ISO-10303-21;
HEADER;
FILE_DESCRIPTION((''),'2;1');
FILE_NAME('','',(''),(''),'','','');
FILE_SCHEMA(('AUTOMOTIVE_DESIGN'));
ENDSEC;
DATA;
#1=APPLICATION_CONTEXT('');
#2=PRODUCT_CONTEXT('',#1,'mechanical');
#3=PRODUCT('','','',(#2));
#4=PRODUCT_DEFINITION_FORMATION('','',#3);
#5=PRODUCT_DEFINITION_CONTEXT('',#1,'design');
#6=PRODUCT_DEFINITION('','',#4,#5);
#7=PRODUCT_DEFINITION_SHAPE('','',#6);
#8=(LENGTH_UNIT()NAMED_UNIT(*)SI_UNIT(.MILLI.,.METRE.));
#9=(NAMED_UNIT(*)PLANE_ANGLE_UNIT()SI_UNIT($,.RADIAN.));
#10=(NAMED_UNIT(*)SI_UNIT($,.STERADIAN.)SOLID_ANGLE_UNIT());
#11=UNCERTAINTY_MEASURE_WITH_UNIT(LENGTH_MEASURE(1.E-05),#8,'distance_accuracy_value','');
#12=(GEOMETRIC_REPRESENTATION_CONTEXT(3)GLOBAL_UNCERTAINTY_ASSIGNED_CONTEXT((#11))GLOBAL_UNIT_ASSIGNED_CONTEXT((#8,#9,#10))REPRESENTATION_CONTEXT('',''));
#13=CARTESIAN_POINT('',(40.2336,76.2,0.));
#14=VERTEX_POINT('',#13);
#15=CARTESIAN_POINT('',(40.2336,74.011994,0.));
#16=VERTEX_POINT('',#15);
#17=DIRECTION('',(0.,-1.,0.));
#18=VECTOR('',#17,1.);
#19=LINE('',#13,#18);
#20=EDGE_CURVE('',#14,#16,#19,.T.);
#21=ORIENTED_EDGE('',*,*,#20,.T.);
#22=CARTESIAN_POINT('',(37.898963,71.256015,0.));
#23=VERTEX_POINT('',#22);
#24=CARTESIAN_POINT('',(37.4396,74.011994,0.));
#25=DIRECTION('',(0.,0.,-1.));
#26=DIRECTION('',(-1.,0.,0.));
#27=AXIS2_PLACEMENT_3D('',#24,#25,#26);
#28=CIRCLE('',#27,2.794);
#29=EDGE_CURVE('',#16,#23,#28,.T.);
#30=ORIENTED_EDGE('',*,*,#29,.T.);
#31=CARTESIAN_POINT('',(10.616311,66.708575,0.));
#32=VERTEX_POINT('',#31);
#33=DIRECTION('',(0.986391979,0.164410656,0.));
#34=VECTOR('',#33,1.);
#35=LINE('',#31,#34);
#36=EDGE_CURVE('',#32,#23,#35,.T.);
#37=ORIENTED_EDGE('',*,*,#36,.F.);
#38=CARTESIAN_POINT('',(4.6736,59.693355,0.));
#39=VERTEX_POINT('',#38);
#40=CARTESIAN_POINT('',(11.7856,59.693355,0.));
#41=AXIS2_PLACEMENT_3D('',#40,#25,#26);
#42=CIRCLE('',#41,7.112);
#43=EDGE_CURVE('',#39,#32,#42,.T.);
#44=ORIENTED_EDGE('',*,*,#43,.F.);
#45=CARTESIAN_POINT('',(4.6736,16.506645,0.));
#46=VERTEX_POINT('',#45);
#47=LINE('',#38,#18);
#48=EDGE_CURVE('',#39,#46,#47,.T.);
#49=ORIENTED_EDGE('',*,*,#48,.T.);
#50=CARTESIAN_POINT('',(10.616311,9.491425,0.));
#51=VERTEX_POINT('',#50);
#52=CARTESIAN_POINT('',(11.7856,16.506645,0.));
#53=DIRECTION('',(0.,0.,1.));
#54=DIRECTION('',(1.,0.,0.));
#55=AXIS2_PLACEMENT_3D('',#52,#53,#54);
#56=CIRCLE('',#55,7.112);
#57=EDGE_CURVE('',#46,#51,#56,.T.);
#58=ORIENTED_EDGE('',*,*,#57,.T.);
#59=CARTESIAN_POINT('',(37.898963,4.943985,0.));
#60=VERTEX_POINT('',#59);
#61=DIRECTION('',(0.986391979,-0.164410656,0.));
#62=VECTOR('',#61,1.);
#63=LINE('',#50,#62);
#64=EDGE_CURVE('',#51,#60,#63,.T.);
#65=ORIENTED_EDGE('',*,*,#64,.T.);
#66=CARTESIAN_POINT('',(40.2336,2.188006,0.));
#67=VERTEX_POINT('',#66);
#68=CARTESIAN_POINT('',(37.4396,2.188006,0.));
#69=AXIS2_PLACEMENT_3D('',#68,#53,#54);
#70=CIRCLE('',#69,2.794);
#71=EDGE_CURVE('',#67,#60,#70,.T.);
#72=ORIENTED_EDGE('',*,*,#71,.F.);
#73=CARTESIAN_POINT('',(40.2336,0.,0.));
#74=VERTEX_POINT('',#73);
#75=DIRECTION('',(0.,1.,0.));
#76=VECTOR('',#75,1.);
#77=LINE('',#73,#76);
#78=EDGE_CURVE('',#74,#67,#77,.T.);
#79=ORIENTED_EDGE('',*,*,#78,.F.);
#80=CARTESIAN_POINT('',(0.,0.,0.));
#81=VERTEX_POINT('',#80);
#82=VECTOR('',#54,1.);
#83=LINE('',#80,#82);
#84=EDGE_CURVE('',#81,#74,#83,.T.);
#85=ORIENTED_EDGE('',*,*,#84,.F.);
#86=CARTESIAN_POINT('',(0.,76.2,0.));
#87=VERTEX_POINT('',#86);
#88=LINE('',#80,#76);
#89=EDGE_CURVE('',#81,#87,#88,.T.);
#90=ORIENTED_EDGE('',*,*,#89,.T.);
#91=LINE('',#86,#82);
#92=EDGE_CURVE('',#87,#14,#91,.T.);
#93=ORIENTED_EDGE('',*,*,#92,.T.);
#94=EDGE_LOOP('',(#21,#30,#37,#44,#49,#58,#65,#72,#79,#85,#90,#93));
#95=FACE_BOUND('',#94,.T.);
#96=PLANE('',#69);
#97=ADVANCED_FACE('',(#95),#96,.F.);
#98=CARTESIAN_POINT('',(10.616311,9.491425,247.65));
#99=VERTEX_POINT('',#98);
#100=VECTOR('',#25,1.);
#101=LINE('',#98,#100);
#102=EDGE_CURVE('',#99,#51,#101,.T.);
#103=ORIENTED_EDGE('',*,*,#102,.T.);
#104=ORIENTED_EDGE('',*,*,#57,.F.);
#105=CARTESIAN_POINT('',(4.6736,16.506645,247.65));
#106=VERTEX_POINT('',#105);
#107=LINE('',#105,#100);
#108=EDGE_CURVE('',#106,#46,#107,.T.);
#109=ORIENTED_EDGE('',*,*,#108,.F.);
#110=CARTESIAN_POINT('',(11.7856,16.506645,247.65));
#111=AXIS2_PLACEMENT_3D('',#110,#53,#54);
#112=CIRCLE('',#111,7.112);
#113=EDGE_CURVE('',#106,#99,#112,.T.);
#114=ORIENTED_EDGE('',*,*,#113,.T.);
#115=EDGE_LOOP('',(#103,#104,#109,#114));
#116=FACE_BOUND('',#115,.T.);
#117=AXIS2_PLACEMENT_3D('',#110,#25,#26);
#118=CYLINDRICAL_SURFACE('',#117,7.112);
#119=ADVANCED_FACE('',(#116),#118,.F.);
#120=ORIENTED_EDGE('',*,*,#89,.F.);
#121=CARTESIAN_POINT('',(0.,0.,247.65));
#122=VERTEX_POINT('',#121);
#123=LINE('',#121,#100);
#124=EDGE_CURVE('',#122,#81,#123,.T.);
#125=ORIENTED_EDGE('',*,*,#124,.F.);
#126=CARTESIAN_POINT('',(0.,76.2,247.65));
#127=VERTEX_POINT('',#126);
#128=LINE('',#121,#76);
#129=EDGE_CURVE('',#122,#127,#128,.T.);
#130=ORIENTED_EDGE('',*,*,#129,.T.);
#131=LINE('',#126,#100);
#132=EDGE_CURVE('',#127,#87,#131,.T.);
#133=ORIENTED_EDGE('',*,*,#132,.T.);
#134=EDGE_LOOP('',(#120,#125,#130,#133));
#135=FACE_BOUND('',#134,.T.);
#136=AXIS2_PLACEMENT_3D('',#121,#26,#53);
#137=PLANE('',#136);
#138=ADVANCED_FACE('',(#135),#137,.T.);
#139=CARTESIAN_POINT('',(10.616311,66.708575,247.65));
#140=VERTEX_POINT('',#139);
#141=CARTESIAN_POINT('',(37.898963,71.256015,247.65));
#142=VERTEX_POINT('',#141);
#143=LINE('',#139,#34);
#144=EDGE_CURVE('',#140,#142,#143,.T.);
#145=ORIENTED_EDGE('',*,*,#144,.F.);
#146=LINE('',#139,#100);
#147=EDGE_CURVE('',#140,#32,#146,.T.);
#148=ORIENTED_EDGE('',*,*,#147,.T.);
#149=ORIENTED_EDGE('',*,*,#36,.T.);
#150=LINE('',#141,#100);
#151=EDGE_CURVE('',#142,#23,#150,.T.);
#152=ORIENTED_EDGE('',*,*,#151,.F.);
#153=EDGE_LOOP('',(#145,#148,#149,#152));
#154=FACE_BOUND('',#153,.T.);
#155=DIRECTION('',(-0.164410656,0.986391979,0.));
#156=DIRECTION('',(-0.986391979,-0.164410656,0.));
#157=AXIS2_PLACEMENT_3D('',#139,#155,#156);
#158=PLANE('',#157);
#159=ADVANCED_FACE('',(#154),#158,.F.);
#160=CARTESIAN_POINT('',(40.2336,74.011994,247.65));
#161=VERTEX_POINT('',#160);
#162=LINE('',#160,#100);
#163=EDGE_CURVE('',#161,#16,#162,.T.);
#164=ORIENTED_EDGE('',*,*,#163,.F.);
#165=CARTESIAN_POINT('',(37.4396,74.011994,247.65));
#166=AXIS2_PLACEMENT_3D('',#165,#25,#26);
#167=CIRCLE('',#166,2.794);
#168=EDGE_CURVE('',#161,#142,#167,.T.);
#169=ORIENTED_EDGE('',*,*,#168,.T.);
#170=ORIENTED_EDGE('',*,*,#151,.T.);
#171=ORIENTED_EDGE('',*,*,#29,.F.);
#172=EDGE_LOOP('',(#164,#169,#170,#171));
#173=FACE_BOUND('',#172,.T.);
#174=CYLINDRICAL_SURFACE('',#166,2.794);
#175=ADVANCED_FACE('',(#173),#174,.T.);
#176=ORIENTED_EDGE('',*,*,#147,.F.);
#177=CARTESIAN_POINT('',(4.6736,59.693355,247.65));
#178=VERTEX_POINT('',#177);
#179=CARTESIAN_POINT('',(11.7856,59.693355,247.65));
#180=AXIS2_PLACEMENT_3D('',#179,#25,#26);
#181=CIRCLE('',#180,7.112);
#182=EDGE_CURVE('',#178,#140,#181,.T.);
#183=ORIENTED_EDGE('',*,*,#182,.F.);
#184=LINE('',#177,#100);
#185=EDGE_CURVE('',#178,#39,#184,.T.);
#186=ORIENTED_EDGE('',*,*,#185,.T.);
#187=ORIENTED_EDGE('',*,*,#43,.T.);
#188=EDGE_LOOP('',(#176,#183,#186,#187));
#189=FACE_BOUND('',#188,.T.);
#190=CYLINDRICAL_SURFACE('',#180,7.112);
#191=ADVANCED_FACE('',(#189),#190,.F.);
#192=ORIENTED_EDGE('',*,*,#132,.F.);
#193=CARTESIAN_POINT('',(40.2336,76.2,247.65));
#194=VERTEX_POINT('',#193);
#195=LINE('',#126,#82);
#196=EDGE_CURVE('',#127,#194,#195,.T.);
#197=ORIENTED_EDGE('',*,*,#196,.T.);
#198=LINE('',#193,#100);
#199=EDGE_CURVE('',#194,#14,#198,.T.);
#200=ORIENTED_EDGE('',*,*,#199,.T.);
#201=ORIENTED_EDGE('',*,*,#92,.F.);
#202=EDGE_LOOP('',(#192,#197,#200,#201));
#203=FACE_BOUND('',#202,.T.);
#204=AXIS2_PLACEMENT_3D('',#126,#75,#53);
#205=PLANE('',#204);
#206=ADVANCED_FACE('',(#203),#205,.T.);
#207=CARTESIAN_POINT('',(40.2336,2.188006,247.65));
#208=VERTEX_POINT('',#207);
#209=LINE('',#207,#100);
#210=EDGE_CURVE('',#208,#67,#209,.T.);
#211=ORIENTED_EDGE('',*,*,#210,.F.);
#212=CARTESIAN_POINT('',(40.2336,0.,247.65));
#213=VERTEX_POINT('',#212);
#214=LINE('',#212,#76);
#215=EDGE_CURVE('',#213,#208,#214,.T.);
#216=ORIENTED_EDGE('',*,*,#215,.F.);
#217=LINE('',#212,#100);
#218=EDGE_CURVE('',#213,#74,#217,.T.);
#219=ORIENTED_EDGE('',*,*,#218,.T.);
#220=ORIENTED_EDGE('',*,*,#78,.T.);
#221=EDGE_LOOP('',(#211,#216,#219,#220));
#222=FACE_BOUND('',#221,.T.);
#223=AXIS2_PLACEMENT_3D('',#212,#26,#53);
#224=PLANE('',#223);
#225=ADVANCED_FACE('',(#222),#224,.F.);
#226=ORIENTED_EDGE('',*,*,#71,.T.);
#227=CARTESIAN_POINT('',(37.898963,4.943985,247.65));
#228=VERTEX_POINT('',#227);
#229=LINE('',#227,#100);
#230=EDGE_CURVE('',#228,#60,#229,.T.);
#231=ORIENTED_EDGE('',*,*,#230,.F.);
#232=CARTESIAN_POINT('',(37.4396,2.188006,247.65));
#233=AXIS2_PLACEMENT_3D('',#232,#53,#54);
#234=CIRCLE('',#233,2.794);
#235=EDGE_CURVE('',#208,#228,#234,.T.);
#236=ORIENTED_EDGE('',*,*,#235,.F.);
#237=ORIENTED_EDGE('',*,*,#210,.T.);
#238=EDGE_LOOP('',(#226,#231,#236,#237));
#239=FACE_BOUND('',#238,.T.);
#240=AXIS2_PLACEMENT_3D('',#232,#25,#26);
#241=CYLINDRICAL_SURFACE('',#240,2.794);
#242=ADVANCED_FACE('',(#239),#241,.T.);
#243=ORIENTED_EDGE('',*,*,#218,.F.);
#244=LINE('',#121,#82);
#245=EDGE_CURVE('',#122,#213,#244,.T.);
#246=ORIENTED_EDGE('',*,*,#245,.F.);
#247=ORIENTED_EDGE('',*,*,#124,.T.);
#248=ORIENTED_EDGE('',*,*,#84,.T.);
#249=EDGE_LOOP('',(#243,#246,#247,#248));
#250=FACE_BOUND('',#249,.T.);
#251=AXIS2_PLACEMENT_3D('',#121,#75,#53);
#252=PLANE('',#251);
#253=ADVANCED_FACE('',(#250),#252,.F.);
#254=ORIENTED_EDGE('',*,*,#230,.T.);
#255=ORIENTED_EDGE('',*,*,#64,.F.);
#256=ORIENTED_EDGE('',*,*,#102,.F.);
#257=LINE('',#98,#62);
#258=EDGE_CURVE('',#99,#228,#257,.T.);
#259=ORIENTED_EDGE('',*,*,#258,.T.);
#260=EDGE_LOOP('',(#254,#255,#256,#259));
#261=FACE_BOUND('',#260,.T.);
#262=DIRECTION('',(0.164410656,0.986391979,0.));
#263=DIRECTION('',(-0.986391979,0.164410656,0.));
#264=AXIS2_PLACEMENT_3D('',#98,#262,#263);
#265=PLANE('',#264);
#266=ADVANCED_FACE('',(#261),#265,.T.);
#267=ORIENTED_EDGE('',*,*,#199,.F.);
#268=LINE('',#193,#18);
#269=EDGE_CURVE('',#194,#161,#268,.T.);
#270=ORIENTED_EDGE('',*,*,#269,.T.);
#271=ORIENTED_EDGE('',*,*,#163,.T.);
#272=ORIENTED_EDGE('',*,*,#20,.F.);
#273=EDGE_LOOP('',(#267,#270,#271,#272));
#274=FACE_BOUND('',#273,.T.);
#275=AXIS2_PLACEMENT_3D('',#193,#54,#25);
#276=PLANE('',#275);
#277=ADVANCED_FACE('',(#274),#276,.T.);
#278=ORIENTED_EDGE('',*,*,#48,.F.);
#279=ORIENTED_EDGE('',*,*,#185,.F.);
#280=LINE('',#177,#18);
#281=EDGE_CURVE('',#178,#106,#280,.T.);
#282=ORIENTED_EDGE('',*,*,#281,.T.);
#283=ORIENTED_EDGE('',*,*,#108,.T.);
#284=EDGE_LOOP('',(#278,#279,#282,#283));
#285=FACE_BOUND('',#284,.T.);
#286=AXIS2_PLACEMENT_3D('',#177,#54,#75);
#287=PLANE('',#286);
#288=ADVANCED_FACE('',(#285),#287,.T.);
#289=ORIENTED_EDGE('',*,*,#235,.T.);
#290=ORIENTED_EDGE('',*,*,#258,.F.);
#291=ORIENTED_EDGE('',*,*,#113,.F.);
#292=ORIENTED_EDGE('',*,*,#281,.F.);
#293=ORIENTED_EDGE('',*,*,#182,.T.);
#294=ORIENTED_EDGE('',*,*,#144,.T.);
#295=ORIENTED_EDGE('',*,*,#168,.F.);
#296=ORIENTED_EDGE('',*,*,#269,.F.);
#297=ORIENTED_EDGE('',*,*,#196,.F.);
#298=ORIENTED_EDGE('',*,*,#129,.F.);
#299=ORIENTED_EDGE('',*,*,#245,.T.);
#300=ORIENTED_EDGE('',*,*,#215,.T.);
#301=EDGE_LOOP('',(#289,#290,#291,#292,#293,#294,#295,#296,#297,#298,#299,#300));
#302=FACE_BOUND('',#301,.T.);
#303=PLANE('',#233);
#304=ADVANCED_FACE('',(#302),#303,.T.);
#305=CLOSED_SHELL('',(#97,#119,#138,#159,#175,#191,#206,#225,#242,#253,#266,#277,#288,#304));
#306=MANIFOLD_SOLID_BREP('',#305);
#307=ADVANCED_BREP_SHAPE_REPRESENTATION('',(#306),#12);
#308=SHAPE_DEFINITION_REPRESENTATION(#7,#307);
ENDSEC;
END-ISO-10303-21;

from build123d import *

# Parameters (mm, degrees)
BOSS_EXTRUDE1_DEPTH = 247.65


with BuildPart() as part:
    # Sketch1 → Boss-Extrude1 (new body)
    with BuildSketch(Plane.XY):
        with BuildLine():
            Line((0, 0), (0, 76.2))
            Line((0, 76.2), (40.2336, 76.2))
            Line((40.2336, 76.2), (40.2336, 74.011994208))
            ThreePointArc((40.2336, 74.011994208), (39.571488513, 72.206035358), (37.898963373, 71.256015019))
            Line((37.898963373, 71.256015019), (10.616311414, 66.708574647))
            ThreePointArc((10.616311414, 66.708574647), (6.358974694, 64.290341057), (4.6736, 59.693354893))
            Line((4.6736, 59.693354893), (4.6736, 16.506645107))
            ThreePointArc((4.6736, 16.506645107), (6.358974694, 11.909658943), (10.616311414, 9.491425353))
            Line((10.616311414, 9.491425353), (37.898963373, 4.943984981))
            ThreePointArc((37.898963373, 4.943984981), (39.571488513, 3.993964642), (40.2336, 2.188005792))
            Line((40.2336, 2.188005792), (40.2336, 0))
            Line((40.2336, 0), (0, 0))
        make_face()
    extrude(amount=BOSS_EXTRUDE1_DEPTH)


solid = part.part
